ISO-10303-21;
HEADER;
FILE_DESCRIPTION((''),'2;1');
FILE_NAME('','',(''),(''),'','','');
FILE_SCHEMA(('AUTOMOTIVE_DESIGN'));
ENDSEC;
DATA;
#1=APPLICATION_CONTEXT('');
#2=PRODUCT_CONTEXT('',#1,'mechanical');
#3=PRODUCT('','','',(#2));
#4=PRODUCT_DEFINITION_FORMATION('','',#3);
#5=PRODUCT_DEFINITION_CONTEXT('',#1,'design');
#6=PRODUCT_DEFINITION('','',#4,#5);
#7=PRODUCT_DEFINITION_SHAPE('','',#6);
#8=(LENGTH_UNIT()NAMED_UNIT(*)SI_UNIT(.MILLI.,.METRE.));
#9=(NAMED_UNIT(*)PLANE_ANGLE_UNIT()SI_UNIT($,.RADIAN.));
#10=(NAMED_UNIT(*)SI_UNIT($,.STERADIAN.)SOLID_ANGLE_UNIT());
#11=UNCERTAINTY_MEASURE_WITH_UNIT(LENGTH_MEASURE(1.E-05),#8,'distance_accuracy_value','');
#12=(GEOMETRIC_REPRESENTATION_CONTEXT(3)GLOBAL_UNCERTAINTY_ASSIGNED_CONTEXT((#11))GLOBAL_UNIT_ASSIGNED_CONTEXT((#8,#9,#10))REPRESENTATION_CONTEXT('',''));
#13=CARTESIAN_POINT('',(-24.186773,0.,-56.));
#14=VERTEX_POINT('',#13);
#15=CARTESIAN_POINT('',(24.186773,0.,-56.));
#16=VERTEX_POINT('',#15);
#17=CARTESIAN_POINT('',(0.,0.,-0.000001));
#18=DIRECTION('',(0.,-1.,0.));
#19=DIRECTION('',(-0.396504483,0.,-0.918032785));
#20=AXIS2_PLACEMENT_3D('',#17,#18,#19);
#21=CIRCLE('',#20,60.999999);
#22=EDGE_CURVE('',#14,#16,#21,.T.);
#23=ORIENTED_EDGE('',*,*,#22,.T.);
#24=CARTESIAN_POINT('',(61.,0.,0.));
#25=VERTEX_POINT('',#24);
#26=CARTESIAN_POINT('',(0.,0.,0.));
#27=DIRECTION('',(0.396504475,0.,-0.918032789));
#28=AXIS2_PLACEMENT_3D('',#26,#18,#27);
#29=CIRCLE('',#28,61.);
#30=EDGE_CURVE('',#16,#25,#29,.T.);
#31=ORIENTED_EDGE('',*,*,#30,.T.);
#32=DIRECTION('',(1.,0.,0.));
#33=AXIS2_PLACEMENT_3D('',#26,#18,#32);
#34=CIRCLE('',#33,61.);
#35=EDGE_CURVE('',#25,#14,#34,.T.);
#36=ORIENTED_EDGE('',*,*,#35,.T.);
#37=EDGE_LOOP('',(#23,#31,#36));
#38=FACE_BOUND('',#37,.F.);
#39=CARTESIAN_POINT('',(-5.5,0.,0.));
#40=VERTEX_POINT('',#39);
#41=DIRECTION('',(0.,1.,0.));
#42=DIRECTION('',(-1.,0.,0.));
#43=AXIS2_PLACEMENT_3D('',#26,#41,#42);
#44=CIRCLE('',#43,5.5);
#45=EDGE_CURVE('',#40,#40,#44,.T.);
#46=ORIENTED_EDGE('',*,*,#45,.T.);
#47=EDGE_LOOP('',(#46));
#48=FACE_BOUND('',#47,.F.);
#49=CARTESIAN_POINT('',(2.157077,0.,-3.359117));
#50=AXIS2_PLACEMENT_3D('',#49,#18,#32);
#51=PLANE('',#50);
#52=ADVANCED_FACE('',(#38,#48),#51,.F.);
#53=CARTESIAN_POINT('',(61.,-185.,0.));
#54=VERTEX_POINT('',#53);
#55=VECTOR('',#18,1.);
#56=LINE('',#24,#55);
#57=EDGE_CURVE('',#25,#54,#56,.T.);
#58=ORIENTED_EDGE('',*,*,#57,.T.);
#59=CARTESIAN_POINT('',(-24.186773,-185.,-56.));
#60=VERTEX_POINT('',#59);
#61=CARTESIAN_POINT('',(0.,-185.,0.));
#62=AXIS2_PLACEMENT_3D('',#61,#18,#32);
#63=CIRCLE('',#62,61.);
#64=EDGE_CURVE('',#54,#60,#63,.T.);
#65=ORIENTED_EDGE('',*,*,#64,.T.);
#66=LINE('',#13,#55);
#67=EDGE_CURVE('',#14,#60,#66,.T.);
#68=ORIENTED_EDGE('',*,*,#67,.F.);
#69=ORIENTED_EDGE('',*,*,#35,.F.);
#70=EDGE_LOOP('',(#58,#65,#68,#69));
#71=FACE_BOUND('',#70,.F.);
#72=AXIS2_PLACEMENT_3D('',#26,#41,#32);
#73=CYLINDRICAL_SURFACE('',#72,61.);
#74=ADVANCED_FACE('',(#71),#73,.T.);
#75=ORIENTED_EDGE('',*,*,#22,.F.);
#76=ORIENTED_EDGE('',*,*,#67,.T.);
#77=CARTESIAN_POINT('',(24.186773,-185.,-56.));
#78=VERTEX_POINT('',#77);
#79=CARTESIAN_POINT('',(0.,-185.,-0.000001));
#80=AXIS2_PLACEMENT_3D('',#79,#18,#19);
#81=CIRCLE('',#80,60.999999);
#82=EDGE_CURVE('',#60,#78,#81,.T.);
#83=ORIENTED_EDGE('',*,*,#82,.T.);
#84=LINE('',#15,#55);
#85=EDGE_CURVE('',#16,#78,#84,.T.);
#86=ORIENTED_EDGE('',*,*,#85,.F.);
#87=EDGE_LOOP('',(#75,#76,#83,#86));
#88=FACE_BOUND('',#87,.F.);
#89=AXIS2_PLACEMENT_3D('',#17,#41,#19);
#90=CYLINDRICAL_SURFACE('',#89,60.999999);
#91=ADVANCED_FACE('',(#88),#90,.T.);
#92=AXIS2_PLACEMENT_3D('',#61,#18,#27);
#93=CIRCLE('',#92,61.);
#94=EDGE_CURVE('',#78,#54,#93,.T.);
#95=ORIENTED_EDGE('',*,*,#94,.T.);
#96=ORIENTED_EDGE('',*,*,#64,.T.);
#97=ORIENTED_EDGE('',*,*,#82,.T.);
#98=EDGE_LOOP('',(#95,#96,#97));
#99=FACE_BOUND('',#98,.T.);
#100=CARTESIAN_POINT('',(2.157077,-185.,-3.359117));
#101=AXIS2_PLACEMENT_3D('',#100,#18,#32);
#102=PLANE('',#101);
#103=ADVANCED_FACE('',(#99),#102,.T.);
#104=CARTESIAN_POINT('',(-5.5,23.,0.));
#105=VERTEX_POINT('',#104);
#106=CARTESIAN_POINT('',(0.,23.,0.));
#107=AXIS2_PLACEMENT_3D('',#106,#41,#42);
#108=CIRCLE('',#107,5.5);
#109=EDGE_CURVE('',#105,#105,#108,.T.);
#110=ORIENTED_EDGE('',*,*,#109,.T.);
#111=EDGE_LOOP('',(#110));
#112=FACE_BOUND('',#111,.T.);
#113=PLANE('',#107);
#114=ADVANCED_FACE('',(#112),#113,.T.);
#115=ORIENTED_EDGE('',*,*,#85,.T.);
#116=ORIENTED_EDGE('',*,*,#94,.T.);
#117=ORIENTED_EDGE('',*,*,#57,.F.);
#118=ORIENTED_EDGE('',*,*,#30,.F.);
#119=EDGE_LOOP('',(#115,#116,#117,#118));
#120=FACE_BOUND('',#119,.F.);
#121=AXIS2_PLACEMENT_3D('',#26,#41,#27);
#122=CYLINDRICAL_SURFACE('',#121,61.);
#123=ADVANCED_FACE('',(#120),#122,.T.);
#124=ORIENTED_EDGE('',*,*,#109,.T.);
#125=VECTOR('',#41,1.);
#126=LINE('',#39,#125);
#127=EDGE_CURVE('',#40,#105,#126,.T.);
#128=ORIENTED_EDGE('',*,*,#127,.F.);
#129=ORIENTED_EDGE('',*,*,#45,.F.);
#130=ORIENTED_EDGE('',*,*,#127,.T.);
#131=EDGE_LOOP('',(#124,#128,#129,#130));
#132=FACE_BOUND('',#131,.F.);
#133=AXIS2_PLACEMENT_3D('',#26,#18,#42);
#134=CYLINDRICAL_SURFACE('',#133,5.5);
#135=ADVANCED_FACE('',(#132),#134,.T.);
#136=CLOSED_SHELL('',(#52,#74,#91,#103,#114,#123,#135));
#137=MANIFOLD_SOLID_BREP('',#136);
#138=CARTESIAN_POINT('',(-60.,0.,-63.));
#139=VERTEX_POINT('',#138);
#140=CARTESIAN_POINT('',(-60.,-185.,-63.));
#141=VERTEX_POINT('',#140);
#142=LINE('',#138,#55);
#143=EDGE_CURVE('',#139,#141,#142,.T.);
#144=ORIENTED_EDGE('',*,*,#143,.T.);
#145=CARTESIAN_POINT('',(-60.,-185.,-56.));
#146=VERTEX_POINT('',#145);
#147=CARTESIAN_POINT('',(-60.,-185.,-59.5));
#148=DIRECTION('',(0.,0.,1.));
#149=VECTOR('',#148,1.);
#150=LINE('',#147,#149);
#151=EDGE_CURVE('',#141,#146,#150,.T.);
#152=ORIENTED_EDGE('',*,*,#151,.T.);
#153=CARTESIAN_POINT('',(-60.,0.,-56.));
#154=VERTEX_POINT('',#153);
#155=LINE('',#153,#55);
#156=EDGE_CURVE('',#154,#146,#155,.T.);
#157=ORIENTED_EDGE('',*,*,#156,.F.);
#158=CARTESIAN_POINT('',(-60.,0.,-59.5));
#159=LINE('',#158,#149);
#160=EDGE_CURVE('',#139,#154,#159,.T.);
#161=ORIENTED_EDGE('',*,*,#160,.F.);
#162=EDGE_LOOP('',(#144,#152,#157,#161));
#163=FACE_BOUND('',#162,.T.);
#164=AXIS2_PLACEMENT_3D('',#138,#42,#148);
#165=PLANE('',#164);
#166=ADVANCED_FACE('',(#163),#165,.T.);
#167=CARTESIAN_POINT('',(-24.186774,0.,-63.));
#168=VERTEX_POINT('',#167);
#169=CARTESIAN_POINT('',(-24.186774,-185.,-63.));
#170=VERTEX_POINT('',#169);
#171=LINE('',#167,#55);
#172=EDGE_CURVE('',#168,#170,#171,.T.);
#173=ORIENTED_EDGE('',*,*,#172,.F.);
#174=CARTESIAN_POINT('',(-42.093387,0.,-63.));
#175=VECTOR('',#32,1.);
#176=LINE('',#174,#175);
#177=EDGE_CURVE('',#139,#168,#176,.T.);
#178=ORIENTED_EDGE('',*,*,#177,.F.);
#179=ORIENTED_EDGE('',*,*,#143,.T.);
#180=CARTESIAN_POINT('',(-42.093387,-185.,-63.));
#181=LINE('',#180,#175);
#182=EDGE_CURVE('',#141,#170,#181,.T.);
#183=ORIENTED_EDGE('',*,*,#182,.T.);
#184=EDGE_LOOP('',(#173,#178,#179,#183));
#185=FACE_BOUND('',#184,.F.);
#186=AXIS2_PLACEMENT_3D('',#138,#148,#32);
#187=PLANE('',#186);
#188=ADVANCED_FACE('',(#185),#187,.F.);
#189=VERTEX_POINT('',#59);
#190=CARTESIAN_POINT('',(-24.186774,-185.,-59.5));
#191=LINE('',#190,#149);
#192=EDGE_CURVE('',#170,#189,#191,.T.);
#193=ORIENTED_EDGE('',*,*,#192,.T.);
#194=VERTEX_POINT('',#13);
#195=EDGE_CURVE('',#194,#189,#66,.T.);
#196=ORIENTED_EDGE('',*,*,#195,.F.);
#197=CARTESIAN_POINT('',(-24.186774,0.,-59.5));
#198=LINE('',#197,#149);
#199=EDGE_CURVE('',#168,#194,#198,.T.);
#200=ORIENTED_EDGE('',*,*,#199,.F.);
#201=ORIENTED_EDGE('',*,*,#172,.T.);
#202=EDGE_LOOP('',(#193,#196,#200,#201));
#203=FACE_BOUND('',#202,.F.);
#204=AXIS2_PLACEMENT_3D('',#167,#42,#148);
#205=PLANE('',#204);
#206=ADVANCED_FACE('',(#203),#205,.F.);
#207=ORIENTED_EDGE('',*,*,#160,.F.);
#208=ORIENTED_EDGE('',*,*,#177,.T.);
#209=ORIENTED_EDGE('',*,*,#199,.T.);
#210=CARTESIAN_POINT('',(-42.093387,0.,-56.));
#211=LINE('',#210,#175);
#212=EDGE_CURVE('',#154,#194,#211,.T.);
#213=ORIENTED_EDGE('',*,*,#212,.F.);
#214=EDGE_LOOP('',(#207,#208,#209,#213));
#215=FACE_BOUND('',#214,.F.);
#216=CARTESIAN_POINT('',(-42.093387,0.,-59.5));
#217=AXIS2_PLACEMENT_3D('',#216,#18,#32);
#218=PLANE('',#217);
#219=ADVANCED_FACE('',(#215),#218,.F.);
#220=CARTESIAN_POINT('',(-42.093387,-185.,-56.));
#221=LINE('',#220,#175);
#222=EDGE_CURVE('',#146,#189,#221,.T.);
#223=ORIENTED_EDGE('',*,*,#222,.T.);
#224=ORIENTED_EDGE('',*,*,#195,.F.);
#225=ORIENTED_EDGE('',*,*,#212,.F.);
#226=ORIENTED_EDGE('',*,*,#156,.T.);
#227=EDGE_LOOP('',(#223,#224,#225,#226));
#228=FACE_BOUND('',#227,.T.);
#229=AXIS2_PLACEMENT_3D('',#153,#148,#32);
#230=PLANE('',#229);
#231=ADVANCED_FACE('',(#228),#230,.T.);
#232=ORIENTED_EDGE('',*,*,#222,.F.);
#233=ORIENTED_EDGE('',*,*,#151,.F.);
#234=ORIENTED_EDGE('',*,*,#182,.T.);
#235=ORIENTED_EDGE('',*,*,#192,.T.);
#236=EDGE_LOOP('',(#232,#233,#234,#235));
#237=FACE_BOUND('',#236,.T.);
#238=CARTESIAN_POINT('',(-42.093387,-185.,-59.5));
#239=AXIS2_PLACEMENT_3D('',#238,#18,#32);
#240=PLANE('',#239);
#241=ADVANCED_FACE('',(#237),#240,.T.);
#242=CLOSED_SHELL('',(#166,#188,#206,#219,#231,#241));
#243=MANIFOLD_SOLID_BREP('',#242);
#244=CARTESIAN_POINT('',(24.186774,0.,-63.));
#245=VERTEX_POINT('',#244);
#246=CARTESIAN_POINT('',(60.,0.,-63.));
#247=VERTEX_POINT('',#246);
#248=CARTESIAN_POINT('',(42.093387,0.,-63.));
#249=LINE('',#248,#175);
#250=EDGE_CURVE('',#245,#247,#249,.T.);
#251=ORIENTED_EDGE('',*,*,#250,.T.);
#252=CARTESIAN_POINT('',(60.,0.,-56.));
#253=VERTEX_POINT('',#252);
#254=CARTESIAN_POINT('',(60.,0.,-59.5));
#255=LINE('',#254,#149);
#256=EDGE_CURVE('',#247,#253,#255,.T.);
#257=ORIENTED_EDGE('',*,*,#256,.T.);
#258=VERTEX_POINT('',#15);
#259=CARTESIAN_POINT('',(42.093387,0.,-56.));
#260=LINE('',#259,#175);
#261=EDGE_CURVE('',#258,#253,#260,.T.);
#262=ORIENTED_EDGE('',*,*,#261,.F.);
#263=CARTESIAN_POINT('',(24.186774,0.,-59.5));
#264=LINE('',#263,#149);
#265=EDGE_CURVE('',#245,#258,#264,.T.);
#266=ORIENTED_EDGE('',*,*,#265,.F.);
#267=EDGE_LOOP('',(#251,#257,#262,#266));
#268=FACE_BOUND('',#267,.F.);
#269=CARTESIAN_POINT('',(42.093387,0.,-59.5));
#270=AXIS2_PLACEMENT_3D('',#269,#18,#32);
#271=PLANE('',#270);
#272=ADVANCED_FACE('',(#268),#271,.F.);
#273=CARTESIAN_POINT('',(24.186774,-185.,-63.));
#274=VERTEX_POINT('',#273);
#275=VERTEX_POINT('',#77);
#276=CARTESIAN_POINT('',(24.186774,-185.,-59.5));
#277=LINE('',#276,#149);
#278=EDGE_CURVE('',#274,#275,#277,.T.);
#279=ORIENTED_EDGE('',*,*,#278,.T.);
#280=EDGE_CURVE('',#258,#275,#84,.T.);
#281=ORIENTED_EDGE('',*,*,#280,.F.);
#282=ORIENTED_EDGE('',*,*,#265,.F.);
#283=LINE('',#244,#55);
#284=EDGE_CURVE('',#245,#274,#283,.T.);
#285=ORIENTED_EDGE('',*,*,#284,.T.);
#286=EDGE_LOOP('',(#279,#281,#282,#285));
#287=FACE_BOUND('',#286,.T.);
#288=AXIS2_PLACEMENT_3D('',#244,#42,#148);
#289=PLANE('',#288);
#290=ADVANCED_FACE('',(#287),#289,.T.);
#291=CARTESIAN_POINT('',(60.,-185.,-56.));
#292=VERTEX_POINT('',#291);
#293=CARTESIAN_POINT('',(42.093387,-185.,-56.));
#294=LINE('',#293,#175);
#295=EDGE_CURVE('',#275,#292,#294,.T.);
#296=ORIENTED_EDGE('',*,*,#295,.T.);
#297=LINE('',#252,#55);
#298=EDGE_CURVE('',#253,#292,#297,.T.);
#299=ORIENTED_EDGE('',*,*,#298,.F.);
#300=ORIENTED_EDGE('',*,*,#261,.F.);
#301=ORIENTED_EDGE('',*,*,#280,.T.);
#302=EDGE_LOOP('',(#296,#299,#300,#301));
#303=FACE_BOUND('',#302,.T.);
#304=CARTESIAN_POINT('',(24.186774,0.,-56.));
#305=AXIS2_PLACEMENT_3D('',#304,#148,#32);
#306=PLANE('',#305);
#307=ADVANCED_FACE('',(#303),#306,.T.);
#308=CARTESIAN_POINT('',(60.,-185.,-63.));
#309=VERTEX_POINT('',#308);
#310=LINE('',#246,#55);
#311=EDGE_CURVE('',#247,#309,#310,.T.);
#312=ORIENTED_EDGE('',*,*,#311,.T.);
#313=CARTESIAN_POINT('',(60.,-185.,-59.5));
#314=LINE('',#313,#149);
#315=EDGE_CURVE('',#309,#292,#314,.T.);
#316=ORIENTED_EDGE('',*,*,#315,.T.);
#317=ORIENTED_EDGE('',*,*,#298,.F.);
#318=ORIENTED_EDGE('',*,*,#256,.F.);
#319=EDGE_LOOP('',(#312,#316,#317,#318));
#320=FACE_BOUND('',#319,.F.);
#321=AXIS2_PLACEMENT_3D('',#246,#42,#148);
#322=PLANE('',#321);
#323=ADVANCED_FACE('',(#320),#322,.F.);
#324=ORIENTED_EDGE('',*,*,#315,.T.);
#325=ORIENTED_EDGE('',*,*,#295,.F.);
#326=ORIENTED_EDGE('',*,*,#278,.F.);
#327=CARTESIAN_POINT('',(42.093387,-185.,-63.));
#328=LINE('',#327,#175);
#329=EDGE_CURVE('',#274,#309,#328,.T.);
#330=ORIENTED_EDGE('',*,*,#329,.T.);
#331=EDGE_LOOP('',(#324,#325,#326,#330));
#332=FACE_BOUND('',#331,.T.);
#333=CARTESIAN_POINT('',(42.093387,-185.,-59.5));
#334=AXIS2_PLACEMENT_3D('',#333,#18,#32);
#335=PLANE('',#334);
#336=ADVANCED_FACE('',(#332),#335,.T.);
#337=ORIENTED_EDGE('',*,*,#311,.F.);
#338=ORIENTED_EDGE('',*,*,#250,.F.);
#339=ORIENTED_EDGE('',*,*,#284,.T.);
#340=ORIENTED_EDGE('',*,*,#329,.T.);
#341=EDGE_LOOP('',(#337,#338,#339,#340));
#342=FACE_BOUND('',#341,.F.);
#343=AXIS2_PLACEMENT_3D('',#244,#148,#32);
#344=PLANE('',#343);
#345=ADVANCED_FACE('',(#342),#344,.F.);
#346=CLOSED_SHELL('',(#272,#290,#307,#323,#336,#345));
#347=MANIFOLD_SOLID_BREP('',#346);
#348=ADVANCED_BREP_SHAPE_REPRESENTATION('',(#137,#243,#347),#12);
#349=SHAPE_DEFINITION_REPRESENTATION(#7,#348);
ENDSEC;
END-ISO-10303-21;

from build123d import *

# Parameters (mm, degrees)
F0_W     = 35.813227
F0_H     = 7
F1_DEPTH = 185
F2_R     = 5.5
F3_DEPTH = 23


with BuildPart() as f1:
    # F0 (on Front) → F1 (new body)
    with BuildSketch(Plane.XZ):
        with BuildLine():
            ThreePointArc((24.186773, -56), (50.972508, -33.508259), (61, 0))
            ThreePointArc((61, 0), (-33.508259, 50.972508), (-24.186773, -56))
            ThreePointArc((-24.186773, -56), (0, -61), (24.186773, -56))
        make_face()
        with Locations((42.093387, -59.5)):
            Rectangle(F0_W, F0_H)
        with Locations((-42.093387, -59.5)):
            Rectangle(F0_W, F0_H)
    extrude(amount=F1_DEPTH)

    # F2 (on face) → F3 (join)
    with BuildSketch(Plane(origin=(0, 0, 0), x_dir=(-1, 0, 0), z_dir=(0, 1, 0))):
        Circle(F2_R)
    extrude(amount=F3_DEPTH)


solid = f1.part
